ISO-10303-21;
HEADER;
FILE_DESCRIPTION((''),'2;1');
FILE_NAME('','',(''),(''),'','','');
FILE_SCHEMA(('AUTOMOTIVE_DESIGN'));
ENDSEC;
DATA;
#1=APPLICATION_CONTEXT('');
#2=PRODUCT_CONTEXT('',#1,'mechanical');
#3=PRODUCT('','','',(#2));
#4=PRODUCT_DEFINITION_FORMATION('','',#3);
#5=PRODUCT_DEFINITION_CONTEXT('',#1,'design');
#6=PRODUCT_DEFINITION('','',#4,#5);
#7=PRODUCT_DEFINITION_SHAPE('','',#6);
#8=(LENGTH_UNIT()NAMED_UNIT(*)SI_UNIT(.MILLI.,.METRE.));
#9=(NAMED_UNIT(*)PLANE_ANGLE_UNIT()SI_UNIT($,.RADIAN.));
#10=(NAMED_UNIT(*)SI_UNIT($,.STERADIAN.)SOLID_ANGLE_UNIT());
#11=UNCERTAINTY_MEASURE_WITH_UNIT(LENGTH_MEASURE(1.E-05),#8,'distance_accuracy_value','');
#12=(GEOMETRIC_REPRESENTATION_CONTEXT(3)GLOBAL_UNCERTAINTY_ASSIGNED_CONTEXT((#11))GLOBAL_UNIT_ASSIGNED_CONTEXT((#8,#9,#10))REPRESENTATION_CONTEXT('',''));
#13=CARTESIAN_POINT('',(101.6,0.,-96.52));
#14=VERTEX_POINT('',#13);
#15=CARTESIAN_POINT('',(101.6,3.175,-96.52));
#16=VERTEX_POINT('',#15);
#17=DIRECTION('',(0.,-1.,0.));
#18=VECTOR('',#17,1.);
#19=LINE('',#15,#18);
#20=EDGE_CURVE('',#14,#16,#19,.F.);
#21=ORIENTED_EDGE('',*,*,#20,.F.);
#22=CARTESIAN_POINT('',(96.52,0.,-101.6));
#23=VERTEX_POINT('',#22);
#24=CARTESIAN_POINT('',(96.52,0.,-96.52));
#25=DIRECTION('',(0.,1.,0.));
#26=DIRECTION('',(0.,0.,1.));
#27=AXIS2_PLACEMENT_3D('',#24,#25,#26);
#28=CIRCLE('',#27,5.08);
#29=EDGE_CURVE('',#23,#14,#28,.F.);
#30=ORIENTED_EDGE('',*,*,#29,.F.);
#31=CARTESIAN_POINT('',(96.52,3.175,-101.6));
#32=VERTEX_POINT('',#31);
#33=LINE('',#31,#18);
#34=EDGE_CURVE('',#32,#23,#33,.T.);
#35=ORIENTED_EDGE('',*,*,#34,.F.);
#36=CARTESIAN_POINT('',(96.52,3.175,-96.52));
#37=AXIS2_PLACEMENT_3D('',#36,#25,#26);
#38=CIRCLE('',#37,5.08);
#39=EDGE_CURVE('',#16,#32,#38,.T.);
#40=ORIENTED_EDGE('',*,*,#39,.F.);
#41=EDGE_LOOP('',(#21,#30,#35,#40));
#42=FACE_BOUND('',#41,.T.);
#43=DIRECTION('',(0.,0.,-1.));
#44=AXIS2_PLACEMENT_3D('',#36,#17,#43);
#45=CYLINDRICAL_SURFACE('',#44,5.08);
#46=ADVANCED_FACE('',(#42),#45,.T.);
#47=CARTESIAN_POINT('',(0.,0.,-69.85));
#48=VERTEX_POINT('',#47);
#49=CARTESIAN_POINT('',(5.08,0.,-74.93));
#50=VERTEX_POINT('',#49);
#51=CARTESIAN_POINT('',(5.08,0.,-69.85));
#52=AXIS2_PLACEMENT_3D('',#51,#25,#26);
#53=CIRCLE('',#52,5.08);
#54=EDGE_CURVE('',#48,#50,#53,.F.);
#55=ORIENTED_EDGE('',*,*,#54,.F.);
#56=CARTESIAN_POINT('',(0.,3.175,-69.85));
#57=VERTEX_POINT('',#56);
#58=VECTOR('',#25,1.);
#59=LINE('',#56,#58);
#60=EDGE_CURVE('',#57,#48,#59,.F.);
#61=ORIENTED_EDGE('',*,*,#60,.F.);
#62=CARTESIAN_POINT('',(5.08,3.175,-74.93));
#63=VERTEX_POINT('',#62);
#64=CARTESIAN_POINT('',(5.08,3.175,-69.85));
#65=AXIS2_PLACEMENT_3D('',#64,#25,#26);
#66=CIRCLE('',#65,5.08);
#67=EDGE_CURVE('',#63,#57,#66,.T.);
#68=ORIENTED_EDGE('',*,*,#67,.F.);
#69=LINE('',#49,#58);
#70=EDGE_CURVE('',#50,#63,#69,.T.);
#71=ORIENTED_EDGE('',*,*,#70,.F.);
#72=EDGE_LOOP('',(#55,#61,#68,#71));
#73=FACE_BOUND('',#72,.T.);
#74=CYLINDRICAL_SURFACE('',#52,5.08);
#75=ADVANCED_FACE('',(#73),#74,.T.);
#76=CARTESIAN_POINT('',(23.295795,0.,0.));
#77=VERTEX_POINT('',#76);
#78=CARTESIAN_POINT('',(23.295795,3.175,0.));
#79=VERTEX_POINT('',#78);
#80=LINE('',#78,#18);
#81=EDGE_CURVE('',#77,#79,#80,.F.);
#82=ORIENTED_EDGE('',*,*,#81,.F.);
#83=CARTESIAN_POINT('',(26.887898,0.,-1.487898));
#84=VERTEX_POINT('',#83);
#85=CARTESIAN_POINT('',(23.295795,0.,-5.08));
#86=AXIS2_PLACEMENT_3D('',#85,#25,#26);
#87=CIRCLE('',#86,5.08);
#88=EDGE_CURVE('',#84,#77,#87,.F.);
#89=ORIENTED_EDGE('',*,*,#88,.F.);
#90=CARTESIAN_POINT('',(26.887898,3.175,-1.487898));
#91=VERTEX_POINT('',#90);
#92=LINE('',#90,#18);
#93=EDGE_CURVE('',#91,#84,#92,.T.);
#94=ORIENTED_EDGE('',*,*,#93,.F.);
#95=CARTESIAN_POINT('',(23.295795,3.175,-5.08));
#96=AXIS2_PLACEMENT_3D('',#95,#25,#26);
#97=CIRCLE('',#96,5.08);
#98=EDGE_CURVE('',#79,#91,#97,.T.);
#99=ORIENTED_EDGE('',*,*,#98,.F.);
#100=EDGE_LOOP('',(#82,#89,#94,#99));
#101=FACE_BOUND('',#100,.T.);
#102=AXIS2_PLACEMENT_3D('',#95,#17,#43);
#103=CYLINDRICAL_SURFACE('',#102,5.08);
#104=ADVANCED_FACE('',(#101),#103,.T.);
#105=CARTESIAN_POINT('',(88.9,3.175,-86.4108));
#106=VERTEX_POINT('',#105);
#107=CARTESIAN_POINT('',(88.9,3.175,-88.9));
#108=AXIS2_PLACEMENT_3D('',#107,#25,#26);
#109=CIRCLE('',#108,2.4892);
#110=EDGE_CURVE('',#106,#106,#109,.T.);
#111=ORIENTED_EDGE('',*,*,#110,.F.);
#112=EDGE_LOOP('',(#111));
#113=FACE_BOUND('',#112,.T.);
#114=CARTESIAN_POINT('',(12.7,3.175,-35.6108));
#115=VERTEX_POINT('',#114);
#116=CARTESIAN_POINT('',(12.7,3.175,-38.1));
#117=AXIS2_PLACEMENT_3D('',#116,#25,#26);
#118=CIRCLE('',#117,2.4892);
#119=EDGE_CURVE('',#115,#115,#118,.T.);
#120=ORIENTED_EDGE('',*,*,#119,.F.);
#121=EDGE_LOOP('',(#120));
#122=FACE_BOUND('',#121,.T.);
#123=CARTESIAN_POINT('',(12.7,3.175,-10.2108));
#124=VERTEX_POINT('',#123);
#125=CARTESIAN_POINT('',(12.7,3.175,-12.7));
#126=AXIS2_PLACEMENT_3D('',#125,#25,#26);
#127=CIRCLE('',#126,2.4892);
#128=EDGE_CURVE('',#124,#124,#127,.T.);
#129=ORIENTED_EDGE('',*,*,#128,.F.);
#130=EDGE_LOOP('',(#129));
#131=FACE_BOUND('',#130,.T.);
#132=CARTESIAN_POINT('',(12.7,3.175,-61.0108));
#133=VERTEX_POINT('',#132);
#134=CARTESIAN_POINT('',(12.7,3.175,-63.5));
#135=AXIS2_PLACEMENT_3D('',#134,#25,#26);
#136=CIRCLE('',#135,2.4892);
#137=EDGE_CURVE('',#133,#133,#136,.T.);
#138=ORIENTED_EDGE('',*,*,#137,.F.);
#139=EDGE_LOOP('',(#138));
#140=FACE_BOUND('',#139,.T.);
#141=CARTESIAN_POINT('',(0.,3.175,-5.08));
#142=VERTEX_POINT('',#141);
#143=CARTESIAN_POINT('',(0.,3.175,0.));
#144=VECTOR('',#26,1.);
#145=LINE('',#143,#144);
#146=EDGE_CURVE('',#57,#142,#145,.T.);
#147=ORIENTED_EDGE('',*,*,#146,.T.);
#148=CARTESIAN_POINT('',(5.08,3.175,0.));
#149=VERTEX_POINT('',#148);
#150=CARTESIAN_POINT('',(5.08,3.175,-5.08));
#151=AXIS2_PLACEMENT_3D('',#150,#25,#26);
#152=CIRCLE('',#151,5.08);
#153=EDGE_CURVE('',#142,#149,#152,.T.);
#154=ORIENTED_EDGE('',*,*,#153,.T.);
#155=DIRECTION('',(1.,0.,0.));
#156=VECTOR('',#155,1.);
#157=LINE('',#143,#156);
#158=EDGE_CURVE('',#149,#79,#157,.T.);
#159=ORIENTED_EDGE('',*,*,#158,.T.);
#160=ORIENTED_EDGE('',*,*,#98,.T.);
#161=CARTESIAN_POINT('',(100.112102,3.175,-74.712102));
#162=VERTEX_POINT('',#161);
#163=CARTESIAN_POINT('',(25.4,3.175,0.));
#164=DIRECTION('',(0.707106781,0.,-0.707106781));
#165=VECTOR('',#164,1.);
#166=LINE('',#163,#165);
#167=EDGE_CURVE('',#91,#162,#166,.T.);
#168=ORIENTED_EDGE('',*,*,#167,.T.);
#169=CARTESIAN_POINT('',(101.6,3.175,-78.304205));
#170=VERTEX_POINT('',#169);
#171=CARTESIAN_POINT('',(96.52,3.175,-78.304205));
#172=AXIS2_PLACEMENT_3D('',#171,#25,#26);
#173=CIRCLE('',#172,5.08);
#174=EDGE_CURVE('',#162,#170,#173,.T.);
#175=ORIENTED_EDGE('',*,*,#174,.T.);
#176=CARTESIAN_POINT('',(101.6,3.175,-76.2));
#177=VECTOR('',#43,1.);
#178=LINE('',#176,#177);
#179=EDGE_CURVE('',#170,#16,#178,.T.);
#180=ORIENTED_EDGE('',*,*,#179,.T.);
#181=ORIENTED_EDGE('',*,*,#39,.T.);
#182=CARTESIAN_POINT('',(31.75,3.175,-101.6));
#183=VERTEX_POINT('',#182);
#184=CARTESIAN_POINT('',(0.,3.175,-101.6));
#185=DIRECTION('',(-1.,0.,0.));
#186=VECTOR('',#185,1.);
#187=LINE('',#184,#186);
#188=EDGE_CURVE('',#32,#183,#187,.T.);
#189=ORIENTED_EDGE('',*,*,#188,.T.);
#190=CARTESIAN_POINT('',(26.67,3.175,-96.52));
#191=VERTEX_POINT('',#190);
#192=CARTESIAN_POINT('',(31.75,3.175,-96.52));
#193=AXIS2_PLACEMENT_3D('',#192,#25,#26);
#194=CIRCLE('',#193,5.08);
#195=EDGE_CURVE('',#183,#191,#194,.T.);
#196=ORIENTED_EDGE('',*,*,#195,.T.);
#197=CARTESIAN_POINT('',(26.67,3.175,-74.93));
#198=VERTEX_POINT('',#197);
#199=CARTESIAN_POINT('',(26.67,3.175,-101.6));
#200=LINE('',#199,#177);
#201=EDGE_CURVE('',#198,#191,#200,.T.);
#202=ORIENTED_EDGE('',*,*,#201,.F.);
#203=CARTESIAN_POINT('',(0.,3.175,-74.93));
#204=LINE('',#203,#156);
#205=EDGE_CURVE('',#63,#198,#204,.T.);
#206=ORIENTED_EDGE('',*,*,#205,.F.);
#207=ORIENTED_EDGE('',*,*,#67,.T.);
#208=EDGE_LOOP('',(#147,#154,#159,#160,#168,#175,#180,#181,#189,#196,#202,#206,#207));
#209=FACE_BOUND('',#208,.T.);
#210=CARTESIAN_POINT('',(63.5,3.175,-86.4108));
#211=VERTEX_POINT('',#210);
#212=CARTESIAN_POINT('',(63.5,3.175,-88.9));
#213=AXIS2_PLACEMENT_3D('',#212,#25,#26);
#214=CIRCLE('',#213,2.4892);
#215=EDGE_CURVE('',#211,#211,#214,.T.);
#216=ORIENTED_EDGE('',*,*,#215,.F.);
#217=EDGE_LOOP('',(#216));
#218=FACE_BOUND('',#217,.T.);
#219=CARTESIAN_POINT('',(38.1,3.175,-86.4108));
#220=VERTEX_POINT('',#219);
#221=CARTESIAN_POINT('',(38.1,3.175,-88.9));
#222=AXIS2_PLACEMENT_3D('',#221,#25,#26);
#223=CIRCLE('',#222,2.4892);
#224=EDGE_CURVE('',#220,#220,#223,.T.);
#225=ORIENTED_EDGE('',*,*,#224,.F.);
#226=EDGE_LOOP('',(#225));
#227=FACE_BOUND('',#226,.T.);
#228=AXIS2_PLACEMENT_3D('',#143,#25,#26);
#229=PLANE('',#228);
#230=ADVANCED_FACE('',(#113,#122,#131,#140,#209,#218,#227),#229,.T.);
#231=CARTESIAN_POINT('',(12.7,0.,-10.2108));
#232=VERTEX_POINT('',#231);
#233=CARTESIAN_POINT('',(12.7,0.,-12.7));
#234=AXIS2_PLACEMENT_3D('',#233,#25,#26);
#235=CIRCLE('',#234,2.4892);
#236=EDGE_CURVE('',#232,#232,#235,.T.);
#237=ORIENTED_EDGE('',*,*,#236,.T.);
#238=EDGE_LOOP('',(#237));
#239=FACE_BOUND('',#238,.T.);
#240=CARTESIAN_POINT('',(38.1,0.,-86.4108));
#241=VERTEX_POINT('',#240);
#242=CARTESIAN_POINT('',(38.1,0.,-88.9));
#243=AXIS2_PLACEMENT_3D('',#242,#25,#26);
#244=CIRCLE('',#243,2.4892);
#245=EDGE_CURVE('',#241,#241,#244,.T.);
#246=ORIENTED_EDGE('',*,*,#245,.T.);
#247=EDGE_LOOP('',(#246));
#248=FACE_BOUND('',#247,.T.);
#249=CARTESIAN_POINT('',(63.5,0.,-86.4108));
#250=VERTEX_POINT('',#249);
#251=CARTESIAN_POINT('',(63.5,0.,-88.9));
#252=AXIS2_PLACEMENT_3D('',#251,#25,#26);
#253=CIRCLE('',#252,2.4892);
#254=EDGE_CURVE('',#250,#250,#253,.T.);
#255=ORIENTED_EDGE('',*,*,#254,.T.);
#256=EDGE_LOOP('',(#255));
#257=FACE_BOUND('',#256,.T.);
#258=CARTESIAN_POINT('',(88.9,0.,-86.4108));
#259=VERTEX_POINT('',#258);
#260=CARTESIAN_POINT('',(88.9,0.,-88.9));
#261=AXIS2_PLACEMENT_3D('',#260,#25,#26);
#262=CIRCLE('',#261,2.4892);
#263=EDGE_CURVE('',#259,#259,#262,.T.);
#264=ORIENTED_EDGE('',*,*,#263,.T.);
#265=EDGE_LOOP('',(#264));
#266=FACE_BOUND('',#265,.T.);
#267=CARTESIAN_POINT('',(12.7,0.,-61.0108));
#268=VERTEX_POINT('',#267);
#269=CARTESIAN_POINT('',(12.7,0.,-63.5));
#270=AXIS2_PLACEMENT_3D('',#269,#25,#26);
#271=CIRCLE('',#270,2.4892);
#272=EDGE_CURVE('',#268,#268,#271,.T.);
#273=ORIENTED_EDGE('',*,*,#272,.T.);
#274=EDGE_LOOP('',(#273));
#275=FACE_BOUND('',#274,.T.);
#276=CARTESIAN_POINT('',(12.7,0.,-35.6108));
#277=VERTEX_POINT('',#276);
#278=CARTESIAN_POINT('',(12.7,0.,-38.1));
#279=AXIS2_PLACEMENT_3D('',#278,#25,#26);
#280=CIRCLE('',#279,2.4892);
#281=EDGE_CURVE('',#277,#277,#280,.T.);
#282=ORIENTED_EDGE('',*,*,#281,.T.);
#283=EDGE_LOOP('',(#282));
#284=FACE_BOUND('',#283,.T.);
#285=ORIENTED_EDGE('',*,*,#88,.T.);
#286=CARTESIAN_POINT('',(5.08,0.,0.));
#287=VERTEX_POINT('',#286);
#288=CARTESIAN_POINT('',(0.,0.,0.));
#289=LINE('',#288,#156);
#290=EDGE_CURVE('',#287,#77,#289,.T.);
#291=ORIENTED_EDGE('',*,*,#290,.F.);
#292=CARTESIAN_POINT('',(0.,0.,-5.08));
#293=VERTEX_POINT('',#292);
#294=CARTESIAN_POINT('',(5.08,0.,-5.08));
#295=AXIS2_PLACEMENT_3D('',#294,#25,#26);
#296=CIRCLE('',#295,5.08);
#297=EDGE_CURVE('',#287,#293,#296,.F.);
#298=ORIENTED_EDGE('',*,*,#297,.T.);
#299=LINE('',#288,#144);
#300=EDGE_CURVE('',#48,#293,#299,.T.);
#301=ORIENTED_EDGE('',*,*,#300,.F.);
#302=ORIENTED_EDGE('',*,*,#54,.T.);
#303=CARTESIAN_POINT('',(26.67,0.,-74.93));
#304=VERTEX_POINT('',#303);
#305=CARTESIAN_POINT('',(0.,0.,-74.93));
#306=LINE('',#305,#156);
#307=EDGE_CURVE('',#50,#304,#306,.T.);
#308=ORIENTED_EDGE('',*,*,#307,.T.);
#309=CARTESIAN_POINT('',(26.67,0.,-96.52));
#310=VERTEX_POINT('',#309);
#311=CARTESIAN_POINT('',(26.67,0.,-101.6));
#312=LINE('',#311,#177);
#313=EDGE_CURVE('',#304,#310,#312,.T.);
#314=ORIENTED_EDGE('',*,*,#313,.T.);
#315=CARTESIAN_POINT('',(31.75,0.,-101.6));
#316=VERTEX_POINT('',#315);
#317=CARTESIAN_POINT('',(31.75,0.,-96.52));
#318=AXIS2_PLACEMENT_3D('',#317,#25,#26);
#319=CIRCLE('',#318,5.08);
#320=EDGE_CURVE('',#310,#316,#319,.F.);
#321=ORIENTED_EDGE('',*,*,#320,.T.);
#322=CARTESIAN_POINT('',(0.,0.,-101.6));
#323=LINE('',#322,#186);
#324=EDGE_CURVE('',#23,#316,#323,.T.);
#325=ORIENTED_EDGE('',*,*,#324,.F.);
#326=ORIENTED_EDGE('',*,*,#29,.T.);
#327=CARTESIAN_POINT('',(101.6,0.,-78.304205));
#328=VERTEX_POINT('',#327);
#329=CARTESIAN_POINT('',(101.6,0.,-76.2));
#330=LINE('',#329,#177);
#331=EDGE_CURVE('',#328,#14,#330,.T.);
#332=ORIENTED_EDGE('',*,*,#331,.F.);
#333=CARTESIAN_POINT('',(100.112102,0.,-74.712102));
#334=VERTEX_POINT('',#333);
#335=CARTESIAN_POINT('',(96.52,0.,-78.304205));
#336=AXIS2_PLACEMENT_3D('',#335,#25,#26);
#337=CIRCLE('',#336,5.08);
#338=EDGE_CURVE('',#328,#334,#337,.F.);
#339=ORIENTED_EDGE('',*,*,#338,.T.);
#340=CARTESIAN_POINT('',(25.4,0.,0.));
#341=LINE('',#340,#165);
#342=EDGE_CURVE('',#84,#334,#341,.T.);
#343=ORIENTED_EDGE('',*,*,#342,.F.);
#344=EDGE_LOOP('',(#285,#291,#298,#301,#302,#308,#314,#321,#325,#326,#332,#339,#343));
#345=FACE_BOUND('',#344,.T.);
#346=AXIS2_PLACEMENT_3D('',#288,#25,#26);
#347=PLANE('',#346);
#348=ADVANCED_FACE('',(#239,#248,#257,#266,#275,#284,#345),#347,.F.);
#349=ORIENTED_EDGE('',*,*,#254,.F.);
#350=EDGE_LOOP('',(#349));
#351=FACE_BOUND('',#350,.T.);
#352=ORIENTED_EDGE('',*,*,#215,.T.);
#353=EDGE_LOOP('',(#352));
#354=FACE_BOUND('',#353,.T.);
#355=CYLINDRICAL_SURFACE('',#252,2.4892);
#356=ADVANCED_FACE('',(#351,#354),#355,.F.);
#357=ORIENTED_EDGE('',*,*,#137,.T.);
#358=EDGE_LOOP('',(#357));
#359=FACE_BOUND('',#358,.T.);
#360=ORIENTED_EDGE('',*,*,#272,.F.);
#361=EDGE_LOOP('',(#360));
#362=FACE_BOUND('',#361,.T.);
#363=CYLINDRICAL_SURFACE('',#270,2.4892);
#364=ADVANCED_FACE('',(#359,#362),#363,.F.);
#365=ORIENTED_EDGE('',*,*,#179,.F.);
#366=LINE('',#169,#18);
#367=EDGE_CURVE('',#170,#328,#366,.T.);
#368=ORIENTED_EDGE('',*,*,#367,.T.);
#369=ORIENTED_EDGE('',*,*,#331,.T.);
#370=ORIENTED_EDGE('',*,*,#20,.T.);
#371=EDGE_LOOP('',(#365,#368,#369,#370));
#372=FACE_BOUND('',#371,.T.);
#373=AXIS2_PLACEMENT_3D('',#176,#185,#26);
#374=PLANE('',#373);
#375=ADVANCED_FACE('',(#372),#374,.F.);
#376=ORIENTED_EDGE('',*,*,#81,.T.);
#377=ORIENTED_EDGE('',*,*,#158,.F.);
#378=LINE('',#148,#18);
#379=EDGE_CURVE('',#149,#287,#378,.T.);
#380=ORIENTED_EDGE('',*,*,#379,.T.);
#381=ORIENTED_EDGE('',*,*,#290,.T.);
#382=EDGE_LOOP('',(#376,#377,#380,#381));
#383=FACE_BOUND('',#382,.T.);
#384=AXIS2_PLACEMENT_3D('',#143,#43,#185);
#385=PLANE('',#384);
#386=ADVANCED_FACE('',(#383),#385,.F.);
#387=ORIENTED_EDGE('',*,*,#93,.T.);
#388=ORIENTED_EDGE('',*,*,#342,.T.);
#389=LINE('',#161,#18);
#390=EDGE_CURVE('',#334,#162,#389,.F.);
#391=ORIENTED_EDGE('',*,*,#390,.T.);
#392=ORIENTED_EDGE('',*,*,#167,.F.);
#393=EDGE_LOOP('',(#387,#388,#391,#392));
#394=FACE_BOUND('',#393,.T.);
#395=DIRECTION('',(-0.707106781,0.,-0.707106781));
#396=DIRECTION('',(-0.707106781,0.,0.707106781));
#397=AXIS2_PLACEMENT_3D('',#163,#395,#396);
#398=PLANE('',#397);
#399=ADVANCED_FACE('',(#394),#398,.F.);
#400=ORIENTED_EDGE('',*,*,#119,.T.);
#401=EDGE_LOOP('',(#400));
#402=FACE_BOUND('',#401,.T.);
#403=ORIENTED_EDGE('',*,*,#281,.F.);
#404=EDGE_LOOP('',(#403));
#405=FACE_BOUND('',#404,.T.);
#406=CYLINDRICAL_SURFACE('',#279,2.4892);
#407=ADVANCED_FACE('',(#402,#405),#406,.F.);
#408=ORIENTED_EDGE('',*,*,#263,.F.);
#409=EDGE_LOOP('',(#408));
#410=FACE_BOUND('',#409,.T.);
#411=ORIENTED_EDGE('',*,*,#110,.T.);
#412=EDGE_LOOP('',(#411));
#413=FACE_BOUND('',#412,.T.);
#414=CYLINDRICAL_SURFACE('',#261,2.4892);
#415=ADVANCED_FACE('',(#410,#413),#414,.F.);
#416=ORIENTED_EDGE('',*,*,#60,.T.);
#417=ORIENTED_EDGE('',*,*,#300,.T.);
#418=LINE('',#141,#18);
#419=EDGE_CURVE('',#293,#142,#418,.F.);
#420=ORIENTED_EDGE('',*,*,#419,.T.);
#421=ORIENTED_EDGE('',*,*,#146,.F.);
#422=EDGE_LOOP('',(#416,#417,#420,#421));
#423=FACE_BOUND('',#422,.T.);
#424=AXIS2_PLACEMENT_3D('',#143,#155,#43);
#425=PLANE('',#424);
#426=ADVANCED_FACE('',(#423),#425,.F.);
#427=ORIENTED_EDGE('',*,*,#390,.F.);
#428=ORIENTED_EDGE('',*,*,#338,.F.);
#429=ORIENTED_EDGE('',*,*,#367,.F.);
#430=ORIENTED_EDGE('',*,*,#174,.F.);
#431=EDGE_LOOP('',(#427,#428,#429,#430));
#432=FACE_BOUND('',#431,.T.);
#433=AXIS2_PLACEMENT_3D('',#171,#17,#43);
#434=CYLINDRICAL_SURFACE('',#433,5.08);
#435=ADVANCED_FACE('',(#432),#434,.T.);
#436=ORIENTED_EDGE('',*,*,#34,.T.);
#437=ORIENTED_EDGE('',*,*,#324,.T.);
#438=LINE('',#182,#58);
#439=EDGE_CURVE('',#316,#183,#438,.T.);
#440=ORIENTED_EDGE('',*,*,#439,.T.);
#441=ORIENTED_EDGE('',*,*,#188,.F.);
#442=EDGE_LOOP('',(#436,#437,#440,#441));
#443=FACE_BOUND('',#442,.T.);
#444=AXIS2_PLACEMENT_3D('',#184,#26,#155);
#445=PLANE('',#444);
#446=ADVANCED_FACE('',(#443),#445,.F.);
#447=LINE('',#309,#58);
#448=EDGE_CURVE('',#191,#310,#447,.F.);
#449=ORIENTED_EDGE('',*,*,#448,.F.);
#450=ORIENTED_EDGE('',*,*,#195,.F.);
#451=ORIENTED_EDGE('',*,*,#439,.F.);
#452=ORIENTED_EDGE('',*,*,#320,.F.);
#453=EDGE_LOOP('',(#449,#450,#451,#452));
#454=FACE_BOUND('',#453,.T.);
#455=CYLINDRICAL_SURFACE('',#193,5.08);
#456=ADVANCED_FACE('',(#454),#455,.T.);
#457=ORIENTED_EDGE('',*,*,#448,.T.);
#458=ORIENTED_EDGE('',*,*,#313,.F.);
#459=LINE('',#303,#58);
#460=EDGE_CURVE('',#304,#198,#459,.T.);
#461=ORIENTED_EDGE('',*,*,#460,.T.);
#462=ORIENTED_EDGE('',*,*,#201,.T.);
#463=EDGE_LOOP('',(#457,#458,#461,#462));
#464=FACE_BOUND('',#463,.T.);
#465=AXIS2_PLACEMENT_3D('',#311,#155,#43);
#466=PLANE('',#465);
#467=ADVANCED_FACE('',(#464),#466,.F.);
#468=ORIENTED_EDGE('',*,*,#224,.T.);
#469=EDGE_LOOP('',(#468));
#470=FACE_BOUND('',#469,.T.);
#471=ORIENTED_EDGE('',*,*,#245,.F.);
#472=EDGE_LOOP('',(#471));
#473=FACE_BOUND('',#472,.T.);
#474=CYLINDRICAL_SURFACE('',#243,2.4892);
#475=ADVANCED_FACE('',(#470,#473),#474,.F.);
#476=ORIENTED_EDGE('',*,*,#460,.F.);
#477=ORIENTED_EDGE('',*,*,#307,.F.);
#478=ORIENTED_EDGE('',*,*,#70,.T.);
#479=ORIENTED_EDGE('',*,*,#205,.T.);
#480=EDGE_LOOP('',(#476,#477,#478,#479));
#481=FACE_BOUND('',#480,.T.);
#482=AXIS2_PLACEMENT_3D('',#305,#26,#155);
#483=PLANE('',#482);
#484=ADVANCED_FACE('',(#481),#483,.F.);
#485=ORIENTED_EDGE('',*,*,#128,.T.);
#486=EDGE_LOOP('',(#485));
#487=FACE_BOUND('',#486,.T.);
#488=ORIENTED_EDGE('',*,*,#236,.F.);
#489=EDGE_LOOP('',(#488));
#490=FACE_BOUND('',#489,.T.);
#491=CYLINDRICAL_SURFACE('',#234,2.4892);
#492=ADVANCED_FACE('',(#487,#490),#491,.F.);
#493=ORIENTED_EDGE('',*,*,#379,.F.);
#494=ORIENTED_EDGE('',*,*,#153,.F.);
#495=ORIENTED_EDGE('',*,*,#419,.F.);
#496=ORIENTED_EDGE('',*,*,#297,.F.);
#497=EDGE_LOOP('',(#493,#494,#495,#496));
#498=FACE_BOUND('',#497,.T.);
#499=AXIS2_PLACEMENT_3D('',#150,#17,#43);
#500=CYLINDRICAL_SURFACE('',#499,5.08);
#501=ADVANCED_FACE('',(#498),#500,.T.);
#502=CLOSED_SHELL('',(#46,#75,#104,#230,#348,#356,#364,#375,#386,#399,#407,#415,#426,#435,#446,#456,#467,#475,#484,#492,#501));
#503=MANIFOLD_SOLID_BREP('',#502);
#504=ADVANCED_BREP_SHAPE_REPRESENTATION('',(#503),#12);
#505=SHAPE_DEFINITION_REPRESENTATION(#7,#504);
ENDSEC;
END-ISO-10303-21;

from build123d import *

# Parameters (mm, degrees)
BOSS_EXTRUDE1_DEPTH = 3.175
SKETCH2_R           = 2.4892
CUT_EXTRUDE1_DEPTH  = 144.719172782
SKETCH3_W           = 26.67
SKETCH3_H           = 26.67
CUT_EXTRUDE2_DEPTH  = 144.719172782
FILLET1_R           = 5.08


with BuildPart() as part:
    # Sketch1 → Boss-Extrude1 (new body)
    with BuildSketch(Plane(origin=(0, 0, 0), x_dir=(1, 0, 0), z_dir=(0, 1, 0))):
        Polygon((0, 0), (0, 101.6), (101.6, 101.6), (101.6, 76.2), (25.4, 0), align=None)
    extrude(amount=BOSS_EXTRUDE1_DEPTH)

    # Sketch2 → Cut-Extrude1 (cut, through all)
    with BuildSketch(Plane(origin=(0, 3.175, 0), x_dir=(1, 0, 0), z_dir=(0, 1, 0))):
        with Locations(Location((12.7, 88.9, 0), (0, 0, 270))):
            Circle(SKETCH2_R)
        with Locations(Location((38.1, 88.9, 0), (0, 0, 270))):
            Circle(SKETCH2_R)
        with Locations(Location((63.5, 88.9, 0), (0, 0, 270))):
            Circle(SKETCH2_R)
        with Locations(Location((88.9, 88.9, 0), (0, 0, 270))):
            Circle(SKETCH2_R)
        with Locations(Location((12.7, 63.5, 0), (0, 0, 270))):
            Circle(SKETCH2_R)
        with Locations(Location((12.7, 38.1, 0), (0, 0, 270))):
            Circle(SKETCH2_R)
        with Locations(Location((12.7, 12.7, 0), (0, 0, 270))):
            Circle(SKETCH2_R)
    extrude(amount=-CUT_EXTRUDE1_DEPTH, mode=Mode.SUBTRACT)

    # Sketch3 → Cut-Extrude2 (cut, through all)
    with BuildSketch(Plane(origin=(0, 3.175, 0), x_dir=(1, 0, 0), z_dir=(0, 1, 0))):
        with Locations((13.335, 88.265)):
            Rectangle(SKETCH3_W, SKETCH3_H)
    extrude(amount=-CUT_EXTRUDE2_DEPTH, mode=Mode.SUBTRACT)

    # Fillet1
    fillet1_edges = [part.edges().sort_by_distance(p)[0] for p in [
        (0, 1.5875, -74.93),
        (26.67, 1.5875, -101.6),
        (0, 1.5875, 0),
        (101.6, 1.5875, -101.6),
        (101.6, 1.5875, -76.2),
        (25.4, 1.5875, 0),
    ]]
    fillet(fillet1_edges, radius=FILLET1_R)


solid = part.part
